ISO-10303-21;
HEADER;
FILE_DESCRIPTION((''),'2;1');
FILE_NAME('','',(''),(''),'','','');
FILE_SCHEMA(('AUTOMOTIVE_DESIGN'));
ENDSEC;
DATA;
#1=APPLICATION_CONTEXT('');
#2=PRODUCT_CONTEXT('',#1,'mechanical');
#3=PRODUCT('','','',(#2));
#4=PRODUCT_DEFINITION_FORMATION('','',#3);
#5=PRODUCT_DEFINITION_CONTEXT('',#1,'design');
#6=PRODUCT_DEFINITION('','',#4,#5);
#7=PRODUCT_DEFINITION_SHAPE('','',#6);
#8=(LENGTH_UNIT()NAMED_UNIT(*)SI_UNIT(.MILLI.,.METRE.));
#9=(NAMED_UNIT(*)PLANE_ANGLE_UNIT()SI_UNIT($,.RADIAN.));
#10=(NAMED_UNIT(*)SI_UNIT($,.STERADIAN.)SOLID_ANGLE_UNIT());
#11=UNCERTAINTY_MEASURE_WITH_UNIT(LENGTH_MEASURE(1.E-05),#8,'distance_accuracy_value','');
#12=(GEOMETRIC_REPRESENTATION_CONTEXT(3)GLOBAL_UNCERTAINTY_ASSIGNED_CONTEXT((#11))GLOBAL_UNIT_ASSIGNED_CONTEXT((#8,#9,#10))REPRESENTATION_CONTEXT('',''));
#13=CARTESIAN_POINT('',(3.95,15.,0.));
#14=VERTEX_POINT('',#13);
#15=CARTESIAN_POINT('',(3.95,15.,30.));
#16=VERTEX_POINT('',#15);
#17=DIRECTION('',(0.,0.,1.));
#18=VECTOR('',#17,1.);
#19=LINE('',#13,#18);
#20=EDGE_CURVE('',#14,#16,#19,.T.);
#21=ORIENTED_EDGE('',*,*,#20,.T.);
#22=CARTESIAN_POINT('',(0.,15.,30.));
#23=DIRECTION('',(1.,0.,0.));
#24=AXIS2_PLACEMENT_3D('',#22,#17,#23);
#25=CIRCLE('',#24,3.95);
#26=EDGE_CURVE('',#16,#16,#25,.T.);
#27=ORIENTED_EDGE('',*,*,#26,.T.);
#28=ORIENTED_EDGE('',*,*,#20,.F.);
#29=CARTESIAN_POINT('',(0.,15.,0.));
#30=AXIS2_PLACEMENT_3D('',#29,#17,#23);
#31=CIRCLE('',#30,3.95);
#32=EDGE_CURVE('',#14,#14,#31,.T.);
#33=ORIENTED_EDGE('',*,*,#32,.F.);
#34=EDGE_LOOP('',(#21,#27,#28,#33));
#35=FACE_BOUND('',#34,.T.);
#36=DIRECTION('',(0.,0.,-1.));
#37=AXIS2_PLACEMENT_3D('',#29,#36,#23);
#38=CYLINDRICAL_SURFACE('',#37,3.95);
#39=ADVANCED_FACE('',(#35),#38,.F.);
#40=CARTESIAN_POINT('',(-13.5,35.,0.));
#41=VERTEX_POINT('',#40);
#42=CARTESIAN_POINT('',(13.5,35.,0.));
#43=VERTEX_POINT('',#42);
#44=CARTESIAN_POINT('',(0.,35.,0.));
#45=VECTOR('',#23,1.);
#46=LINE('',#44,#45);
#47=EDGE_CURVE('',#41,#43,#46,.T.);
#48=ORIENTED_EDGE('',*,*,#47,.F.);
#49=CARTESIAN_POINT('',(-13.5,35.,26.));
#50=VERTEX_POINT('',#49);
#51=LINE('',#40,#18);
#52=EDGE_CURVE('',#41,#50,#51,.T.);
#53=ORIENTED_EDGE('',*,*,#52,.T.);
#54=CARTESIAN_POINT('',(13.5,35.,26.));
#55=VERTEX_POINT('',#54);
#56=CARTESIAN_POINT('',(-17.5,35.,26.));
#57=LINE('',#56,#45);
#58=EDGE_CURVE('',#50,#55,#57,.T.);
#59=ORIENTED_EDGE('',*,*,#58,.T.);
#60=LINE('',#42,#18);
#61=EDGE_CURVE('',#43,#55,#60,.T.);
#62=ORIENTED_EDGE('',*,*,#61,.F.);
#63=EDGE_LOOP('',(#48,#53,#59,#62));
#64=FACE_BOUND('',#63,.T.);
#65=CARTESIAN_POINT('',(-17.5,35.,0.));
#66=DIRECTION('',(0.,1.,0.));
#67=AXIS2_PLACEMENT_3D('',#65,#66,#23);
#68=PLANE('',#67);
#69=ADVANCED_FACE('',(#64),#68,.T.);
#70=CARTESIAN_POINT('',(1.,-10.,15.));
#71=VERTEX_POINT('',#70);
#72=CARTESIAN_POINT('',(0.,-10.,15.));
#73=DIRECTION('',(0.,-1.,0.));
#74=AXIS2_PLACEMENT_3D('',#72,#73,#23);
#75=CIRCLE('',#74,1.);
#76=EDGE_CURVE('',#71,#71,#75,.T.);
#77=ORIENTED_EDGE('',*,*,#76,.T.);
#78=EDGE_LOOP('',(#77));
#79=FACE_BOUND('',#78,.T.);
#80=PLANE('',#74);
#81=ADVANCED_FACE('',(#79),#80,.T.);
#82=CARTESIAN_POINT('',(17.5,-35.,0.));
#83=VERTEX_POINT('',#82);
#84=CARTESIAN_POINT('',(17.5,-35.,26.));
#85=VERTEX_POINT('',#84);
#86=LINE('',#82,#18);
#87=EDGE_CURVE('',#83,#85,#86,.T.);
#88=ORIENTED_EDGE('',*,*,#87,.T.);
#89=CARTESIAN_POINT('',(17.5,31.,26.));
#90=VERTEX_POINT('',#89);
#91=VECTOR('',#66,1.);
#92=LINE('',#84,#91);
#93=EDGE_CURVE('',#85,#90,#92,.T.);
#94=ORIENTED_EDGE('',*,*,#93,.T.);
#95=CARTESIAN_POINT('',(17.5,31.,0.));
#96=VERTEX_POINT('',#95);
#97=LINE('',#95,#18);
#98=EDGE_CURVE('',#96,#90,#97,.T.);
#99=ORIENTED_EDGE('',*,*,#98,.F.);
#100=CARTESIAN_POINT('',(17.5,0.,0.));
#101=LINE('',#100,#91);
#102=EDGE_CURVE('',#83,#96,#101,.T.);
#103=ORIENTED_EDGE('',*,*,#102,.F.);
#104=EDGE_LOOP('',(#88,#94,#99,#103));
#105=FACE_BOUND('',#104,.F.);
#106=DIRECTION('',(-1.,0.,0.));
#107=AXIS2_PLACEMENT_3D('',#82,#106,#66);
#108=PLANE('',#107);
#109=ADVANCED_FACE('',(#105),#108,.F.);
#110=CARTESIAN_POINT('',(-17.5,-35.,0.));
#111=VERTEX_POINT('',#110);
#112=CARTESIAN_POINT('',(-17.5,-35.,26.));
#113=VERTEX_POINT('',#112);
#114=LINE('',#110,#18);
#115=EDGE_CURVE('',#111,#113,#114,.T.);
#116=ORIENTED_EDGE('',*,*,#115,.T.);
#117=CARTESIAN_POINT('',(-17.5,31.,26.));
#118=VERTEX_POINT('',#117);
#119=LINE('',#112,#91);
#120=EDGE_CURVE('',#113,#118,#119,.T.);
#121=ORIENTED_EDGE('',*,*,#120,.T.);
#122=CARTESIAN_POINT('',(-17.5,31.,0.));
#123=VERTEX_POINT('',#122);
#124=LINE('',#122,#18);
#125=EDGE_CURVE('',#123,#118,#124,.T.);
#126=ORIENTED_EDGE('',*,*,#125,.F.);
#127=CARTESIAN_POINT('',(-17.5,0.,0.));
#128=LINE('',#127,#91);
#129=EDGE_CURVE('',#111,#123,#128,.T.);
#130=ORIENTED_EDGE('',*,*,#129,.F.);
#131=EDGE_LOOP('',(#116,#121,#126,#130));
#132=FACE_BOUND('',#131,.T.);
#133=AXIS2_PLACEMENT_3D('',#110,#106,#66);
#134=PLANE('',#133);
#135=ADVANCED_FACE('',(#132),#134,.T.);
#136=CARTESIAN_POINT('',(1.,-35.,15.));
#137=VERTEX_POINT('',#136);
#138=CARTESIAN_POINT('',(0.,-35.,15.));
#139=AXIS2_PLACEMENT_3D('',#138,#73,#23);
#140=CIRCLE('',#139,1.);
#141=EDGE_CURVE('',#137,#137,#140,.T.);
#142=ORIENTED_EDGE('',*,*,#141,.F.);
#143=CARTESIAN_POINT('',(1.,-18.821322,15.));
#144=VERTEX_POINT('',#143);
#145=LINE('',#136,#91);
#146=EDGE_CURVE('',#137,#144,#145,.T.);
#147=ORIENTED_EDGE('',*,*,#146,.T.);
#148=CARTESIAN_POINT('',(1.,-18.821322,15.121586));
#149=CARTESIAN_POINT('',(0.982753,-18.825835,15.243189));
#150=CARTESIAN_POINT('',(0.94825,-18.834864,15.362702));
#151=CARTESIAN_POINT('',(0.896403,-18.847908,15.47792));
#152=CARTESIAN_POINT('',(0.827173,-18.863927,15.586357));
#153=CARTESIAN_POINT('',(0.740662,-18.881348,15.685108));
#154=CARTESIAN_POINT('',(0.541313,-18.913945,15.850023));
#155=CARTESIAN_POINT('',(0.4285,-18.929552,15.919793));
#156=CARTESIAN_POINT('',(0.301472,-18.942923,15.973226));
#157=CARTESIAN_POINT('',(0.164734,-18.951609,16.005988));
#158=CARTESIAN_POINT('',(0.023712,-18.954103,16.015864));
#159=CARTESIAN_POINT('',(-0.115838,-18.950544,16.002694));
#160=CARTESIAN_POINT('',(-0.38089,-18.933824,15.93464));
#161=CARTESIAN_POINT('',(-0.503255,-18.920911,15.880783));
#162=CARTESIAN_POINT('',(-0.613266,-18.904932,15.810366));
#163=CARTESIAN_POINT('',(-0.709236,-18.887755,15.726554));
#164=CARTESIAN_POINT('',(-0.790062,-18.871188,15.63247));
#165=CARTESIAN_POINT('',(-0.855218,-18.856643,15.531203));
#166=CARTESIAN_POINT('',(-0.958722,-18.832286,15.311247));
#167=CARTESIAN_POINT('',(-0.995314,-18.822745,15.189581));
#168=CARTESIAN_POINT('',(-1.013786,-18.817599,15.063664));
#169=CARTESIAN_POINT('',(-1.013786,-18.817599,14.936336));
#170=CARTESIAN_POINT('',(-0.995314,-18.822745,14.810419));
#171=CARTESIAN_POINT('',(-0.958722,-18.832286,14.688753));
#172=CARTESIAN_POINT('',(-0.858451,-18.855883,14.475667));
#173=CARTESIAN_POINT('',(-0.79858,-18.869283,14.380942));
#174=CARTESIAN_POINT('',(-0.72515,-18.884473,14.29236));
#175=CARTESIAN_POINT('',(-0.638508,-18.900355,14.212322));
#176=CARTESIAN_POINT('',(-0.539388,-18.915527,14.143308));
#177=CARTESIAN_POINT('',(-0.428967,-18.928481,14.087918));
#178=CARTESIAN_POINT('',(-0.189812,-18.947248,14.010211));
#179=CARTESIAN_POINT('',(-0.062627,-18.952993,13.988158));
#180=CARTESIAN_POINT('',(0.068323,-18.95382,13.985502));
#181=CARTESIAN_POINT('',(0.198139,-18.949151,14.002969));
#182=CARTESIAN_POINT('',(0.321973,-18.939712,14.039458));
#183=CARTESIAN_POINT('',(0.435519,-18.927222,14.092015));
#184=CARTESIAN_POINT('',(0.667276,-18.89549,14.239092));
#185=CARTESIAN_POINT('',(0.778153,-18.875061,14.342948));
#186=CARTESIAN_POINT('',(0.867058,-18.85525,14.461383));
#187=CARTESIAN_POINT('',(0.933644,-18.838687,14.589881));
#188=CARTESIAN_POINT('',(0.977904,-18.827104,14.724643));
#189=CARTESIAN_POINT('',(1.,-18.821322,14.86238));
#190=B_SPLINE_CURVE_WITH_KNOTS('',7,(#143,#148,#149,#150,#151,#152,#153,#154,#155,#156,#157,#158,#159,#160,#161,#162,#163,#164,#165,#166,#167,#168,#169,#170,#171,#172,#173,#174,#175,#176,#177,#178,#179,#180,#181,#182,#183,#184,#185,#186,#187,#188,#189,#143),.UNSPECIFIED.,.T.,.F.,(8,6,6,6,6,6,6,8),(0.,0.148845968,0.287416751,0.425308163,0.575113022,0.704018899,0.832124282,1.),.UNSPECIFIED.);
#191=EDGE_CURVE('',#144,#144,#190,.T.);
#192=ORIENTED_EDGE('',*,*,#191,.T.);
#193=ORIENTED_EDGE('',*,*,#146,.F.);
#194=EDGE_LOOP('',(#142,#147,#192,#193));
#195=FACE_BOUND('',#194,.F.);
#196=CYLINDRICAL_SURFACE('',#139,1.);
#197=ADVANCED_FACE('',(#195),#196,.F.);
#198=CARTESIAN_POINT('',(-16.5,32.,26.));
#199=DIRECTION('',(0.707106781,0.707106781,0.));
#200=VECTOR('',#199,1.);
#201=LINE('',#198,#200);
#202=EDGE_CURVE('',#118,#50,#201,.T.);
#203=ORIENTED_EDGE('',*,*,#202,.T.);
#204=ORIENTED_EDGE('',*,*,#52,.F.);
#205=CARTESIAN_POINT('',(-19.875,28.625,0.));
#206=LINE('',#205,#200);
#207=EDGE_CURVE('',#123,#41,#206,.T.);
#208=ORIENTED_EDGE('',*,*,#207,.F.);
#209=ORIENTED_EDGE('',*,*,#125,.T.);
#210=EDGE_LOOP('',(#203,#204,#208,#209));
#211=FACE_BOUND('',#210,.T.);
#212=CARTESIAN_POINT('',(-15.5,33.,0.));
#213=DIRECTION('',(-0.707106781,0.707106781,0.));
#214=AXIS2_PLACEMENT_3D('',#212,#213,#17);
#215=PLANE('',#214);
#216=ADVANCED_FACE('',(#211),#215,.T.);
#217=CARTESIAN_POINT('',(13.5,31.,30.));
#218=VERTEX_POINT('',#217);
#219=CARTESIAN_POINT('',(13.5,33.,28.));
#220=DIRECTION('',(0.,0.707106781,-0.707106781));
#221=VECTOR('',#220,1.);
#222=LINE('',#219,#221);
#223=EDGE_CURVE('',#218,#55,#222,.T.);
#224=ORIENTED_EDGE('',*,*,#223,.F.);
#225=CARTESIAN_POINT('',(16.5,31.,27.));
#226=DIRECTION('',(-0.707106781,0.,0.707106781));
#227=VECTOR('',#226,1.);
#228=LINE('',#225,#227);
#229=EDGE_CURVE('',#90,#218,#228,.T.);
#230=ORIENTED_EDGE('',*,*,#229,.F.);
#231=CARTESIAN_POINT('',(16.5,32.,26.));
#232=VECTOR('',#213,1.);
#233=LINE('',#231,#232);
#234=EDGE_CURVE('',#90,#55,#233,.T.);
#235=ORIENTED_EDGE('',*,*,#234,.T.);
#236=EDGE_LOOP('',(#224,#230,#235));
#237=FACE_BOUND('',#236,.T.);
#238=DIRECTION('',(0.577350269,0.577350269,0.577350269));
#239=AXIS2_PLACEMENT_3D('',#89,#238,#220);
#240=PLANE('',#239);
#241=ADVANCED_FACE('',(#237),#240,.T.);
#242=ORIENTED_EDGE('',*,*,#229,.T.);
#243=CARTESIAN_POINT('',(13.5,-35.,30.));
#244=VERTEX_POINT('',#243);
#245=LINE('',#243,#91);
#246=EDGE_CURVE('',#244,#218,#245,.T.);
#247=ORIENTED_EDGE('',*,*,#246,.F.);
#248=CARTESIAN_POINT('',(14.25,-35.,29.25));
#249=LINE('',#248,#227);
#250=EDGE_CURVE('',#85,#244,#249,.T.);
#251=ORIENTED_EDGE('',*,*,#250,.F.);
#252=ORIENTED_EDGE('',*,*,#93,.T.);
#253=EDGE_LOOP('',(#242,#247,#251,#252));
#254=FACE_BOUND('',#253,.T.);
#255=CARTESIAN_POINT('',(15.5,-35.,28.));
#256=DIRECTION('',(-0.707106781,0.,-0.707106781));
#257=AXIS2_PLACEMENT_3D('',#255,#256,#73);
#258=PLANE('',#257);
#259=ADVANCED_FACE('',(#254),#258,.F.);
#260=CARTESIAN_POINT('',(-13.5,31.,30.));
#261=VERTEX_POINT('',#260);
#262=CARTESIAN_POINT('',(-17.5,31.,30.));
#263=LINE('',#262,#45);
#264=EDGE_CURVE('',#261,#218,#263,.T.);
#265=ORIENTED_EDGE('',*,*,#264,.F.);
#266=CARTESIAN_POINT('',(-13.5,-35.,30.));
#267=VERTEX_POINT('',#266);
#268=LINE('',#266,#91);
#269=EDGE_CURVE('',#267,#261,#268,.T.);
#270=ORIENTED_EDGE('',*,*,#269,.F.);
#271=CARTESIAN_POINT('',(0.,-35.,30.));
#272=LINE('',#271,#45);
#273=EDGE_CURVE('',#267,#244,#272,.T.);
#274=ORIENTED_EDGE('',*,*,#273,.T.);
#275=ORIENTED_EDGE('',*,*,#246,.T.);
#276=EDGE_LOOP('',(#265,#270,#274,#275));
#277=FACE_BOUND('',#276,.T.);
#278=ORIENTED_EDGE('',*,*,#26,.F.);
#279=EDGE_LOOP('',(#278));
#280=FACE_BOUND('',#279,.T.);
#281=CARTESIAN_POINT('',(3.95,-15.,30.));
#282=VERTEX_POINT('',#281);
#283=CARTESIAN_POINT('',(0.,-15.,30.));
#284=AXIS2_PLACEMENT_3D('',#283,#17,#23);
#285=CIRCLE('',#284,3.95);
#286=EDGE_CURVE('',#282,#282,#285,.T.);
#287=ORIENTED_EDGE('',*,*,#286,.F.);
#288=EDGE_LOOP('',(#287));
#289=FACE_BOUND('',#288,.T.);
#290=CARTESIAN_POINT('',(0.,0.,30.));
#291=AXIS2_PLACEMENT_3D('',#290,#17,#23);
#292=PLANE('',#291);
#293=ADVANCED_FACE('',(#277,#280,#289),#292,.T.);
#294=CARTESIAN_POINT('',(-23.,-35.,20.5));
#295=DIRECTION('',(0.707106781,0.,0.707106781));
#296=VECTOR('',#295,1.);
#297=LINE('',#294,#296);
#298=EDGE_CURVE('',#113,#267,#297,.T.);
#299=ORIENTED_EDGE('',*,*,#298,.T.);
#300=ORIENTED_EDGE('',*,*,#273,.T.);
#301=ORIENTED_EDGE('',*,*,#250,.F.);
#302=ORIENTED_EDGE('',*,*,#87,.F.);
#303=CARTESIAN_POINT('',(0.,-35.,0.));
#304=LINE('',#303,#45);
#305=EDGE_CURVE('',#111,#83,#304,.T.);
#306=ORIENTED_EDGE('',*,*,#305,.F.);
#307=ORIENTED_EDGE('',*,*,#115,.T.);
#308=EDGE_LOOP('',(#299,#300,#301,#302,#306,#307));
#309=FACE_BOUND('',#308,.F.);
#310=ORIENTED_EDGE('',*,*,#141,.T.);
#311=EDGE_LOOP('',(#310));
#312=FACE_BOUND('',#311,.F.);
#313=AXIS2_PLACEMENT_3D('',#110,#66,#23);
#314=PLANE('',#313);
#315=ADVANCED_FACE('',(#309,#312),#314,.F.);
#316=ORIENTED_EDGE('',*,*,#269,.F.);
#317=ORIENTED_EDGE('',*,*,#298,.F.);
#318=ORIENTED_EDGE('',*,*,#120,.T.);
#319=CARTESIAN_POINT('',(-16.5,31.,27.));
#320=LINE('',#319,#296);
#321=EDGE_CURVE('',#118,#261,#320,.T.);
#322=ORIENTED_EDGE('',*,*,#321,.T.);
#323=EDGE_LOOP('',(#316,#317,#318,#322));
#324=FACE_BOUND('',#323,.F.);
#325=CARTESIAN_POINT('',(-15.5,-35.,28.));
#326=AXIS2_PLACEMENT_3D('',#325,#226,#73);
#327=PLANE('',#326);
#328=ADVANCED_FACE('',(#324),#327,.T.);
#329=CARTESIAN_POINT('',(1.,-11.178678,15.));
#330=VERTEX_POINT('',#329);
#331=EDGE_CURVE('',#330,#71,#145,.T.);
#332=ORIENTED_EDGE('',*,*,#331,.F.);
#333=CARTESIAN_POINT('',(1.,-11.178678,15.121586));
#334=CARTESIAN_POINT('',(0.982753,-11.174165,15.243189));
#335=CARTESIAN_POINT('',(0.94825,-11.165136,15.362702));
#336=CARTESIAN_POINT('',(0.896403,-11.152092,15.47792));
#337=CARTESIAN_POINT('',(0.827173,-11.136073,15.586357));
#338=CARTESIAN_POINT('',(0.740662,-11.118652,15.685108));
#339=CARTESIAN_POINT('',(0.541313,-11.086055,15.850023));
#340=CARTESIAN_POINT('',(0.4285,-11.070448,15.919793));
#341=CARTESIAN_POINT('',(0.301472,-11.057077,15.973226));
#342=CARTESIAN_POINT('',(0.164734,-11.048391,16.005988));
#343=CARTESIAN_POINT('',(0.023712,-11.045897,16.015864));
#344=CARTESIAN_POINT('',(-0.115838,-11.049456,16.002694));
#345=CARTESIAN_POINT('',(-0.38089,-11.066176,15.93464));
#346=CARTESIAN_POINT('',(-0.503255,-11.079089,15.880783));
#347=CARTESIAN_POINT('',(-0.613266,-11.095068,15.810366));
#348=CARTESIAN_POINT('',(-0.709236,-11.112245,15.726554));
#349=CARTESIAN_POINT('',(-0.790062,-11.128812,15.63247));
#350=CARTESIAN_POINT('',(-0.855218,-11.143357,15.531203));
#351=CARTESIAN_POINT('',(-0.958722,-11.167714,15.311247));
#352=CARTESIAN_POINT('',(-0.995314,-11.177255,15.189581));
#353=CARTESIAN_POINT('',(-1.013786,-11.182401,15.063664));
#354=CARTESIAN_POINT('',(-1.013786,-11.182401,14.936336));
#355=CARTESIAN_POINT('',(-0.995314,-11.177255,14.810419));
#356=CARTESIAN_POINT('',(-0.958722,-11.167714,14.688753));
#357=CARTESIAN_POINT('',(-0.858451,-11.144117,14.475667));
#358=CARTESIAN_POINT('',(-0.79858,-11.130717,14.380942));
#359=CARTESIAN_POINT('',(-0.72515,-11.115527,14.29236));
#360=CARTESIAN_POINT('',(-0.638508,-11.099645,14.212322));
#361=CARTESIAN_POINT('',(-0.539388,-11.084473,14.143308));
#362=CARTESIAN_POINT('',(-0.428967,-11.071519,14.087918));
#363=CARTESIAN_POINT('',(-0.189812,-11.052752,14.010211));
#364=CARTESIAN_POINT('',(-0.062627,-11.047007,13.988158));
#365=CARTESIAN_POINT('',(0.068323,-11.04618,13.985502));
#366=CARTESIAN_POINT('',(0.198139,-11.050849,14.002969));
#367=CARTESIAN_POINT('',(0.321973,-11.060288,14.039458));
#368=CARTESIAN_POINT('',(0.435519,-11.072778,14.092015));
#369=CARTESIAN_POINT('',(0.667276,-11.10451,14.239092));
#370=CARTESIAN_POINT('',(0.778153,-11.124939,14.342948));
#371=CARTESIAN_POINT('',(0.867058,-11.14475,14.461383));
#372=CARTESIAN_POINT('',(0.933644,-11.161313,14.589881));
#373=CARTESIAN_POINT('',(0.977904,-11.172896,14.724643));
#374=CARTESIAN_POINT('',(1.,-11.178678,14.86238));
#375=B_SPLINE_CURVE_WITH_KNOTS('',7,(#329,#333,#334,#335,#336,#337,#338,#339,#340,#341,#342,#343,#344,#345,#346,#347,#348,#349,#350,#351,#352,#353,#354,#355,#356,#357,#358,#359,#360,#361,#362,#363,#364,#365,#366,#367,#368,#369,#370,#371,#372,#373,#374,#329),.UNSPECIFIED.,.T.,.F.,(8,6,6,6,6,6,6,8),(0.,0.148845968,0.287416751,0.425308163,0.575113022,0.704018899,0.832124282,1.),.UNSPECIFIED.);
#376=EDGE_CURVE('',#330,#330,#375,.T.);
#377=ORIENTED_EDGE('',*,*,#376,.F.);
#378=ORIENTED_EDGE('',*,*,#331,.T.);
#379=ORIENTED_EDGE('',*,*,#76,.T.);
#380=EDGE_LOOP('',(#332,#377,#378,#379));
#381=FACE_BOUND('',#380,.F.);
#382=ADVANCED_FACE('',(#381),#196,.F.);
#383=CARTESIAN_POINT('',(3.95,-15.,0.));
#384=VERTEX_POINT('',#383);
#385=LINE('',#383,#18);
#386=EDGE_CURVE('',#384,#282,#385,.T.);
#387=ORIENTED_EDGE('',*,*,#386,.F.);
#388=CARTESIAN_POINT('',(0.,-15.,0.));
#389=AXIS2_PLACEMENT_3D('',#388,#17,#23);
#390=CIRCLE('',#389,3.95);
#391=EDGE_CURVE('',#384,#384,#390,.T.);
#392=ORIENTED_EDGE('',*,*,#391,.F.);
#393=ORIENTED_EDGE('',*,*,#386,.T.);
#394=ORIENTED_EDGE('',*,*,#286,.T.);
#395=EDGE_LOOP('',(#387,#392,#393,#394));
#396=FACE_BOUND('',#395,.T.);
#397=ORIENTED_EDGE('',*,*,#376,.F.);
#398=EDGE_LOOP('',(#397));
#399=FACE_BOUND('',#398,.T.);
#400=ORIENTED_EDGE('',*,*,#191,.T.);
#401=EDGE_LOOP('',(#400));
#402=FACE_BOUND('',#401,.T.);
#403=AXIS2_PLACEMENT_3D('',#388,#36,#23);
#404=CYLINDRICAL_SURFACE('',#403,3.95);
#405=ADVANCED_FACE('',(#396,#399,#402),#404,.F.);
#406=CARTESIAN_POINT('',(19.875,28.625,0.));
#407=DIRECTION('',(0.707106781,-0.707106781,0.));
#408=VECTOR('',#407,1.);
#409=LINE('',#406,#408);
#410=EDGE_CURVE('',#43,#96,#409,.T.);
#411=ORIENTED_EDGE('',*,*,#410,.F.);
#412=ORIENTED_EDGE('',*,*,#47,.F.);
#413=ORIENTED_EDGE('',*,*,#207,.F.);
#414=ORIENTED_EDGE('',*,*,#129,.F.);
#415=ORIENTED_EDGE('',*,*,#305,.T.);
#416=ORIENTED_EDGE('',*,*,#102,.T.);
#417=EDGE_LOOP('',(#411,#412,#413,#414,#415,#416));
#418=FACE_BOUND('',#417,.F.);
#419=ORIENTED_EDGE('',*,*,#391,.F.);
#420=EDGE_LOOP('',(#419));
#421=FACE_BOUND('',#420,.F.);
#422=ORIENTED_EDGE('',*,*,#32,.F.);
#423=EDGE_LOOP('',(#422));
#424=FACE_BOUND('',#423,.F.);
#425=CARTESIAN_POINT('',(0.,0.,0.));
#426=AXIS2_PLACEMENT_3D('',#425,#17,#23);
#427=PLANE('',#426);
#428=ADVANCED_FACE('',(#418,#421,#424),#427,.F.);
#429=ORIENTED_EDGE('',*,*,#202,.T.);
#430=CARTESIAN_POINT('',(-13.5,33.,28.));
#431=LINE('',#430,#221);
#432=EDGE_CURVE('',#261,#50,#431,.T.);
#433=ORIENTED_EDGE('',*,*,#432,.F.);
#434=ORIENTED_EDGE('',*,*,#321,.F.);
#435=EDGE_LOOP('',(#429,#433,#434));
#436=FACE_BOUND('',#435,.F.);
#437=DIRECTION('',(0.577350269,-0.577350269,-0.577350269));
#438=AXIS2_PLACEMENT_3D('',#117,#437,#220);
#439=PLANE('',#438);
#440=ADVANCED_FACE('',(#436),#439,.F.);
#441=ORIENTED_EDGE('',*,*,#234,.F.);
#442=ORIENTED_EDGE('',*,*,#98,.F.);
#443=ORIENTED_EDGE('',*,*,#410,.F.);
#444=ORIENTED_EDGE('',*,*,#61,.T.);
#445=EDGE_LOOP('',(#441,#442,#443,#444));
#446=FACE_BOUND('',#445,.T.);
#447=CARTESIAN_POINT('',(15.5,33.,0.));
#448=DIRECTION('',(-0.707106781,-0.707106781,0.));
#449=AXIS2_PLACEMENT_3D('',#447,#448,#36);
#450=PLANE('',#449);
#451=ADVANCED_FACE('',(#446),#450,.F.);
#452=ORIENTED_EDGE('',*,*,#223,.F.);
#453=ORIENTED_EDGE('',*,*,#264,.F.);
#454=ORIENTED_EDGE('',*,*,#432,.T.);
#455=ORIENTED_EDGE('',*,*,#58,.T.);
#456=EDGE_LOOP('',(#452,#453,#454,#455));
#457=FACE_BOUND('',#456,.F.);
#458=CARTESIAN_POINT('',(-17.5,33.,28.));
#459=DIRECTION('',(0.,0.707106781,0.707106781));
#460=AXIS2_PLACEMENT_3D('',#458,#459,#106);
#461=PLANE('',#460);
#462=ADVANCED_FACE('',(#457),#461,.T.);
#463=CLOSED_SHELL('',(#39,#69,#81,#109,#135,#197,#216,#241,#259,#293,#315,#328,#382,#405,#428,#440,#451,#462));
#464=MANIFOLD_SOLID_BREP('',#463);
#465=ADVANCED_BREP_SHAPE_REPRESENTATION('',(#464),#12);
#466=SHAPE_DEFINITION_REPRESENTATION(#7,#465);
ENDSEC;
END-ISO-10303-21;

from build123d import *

# Parameters (mm, degrees)
F0_W     = 35
F0_H     = 70
F0_R     = 3.95
F1_DEPTH = 30
F2_SIZE  = 4
F3_R     = 1
F4_DEPTH = 25


with BuildPart() as f1:
    # F0 (on Top) → F1 (new body)
    with BuildSketch(Plane.XY):
        Rectangle(F0_W, F0_H)
        with Locations((0, -15)):
            Circle(F0_R, mode=Mode.SUBTRACT)
        with Locations((0, 15)):
            Circle(F0_R, mode=Mode.SUBTRACT)
    extrude(amount=F1_DEPTH)

    # F2
    f2_edges = [f1.edges().sort_by_distance(p)[0] for p in [
        (0, 35, 30),
        (17.5, 0, 30),
        (-17.5, 0, 30),
        (17.5, 35, 15),
        (-17.5, 35, 15),
    ]]
    chamfer(f2_edges, length=F2_SIZE)

    # F3 (on face) → F4 (cut)
    with BuildSketch(Plane.XZ.offset(35)):
        with Locations((0, 15)):
            Circle(F3_R)
    extrude(amount=-F4_DEPTH, mode=Mode.SUBTRACT)


solid = f1.part
